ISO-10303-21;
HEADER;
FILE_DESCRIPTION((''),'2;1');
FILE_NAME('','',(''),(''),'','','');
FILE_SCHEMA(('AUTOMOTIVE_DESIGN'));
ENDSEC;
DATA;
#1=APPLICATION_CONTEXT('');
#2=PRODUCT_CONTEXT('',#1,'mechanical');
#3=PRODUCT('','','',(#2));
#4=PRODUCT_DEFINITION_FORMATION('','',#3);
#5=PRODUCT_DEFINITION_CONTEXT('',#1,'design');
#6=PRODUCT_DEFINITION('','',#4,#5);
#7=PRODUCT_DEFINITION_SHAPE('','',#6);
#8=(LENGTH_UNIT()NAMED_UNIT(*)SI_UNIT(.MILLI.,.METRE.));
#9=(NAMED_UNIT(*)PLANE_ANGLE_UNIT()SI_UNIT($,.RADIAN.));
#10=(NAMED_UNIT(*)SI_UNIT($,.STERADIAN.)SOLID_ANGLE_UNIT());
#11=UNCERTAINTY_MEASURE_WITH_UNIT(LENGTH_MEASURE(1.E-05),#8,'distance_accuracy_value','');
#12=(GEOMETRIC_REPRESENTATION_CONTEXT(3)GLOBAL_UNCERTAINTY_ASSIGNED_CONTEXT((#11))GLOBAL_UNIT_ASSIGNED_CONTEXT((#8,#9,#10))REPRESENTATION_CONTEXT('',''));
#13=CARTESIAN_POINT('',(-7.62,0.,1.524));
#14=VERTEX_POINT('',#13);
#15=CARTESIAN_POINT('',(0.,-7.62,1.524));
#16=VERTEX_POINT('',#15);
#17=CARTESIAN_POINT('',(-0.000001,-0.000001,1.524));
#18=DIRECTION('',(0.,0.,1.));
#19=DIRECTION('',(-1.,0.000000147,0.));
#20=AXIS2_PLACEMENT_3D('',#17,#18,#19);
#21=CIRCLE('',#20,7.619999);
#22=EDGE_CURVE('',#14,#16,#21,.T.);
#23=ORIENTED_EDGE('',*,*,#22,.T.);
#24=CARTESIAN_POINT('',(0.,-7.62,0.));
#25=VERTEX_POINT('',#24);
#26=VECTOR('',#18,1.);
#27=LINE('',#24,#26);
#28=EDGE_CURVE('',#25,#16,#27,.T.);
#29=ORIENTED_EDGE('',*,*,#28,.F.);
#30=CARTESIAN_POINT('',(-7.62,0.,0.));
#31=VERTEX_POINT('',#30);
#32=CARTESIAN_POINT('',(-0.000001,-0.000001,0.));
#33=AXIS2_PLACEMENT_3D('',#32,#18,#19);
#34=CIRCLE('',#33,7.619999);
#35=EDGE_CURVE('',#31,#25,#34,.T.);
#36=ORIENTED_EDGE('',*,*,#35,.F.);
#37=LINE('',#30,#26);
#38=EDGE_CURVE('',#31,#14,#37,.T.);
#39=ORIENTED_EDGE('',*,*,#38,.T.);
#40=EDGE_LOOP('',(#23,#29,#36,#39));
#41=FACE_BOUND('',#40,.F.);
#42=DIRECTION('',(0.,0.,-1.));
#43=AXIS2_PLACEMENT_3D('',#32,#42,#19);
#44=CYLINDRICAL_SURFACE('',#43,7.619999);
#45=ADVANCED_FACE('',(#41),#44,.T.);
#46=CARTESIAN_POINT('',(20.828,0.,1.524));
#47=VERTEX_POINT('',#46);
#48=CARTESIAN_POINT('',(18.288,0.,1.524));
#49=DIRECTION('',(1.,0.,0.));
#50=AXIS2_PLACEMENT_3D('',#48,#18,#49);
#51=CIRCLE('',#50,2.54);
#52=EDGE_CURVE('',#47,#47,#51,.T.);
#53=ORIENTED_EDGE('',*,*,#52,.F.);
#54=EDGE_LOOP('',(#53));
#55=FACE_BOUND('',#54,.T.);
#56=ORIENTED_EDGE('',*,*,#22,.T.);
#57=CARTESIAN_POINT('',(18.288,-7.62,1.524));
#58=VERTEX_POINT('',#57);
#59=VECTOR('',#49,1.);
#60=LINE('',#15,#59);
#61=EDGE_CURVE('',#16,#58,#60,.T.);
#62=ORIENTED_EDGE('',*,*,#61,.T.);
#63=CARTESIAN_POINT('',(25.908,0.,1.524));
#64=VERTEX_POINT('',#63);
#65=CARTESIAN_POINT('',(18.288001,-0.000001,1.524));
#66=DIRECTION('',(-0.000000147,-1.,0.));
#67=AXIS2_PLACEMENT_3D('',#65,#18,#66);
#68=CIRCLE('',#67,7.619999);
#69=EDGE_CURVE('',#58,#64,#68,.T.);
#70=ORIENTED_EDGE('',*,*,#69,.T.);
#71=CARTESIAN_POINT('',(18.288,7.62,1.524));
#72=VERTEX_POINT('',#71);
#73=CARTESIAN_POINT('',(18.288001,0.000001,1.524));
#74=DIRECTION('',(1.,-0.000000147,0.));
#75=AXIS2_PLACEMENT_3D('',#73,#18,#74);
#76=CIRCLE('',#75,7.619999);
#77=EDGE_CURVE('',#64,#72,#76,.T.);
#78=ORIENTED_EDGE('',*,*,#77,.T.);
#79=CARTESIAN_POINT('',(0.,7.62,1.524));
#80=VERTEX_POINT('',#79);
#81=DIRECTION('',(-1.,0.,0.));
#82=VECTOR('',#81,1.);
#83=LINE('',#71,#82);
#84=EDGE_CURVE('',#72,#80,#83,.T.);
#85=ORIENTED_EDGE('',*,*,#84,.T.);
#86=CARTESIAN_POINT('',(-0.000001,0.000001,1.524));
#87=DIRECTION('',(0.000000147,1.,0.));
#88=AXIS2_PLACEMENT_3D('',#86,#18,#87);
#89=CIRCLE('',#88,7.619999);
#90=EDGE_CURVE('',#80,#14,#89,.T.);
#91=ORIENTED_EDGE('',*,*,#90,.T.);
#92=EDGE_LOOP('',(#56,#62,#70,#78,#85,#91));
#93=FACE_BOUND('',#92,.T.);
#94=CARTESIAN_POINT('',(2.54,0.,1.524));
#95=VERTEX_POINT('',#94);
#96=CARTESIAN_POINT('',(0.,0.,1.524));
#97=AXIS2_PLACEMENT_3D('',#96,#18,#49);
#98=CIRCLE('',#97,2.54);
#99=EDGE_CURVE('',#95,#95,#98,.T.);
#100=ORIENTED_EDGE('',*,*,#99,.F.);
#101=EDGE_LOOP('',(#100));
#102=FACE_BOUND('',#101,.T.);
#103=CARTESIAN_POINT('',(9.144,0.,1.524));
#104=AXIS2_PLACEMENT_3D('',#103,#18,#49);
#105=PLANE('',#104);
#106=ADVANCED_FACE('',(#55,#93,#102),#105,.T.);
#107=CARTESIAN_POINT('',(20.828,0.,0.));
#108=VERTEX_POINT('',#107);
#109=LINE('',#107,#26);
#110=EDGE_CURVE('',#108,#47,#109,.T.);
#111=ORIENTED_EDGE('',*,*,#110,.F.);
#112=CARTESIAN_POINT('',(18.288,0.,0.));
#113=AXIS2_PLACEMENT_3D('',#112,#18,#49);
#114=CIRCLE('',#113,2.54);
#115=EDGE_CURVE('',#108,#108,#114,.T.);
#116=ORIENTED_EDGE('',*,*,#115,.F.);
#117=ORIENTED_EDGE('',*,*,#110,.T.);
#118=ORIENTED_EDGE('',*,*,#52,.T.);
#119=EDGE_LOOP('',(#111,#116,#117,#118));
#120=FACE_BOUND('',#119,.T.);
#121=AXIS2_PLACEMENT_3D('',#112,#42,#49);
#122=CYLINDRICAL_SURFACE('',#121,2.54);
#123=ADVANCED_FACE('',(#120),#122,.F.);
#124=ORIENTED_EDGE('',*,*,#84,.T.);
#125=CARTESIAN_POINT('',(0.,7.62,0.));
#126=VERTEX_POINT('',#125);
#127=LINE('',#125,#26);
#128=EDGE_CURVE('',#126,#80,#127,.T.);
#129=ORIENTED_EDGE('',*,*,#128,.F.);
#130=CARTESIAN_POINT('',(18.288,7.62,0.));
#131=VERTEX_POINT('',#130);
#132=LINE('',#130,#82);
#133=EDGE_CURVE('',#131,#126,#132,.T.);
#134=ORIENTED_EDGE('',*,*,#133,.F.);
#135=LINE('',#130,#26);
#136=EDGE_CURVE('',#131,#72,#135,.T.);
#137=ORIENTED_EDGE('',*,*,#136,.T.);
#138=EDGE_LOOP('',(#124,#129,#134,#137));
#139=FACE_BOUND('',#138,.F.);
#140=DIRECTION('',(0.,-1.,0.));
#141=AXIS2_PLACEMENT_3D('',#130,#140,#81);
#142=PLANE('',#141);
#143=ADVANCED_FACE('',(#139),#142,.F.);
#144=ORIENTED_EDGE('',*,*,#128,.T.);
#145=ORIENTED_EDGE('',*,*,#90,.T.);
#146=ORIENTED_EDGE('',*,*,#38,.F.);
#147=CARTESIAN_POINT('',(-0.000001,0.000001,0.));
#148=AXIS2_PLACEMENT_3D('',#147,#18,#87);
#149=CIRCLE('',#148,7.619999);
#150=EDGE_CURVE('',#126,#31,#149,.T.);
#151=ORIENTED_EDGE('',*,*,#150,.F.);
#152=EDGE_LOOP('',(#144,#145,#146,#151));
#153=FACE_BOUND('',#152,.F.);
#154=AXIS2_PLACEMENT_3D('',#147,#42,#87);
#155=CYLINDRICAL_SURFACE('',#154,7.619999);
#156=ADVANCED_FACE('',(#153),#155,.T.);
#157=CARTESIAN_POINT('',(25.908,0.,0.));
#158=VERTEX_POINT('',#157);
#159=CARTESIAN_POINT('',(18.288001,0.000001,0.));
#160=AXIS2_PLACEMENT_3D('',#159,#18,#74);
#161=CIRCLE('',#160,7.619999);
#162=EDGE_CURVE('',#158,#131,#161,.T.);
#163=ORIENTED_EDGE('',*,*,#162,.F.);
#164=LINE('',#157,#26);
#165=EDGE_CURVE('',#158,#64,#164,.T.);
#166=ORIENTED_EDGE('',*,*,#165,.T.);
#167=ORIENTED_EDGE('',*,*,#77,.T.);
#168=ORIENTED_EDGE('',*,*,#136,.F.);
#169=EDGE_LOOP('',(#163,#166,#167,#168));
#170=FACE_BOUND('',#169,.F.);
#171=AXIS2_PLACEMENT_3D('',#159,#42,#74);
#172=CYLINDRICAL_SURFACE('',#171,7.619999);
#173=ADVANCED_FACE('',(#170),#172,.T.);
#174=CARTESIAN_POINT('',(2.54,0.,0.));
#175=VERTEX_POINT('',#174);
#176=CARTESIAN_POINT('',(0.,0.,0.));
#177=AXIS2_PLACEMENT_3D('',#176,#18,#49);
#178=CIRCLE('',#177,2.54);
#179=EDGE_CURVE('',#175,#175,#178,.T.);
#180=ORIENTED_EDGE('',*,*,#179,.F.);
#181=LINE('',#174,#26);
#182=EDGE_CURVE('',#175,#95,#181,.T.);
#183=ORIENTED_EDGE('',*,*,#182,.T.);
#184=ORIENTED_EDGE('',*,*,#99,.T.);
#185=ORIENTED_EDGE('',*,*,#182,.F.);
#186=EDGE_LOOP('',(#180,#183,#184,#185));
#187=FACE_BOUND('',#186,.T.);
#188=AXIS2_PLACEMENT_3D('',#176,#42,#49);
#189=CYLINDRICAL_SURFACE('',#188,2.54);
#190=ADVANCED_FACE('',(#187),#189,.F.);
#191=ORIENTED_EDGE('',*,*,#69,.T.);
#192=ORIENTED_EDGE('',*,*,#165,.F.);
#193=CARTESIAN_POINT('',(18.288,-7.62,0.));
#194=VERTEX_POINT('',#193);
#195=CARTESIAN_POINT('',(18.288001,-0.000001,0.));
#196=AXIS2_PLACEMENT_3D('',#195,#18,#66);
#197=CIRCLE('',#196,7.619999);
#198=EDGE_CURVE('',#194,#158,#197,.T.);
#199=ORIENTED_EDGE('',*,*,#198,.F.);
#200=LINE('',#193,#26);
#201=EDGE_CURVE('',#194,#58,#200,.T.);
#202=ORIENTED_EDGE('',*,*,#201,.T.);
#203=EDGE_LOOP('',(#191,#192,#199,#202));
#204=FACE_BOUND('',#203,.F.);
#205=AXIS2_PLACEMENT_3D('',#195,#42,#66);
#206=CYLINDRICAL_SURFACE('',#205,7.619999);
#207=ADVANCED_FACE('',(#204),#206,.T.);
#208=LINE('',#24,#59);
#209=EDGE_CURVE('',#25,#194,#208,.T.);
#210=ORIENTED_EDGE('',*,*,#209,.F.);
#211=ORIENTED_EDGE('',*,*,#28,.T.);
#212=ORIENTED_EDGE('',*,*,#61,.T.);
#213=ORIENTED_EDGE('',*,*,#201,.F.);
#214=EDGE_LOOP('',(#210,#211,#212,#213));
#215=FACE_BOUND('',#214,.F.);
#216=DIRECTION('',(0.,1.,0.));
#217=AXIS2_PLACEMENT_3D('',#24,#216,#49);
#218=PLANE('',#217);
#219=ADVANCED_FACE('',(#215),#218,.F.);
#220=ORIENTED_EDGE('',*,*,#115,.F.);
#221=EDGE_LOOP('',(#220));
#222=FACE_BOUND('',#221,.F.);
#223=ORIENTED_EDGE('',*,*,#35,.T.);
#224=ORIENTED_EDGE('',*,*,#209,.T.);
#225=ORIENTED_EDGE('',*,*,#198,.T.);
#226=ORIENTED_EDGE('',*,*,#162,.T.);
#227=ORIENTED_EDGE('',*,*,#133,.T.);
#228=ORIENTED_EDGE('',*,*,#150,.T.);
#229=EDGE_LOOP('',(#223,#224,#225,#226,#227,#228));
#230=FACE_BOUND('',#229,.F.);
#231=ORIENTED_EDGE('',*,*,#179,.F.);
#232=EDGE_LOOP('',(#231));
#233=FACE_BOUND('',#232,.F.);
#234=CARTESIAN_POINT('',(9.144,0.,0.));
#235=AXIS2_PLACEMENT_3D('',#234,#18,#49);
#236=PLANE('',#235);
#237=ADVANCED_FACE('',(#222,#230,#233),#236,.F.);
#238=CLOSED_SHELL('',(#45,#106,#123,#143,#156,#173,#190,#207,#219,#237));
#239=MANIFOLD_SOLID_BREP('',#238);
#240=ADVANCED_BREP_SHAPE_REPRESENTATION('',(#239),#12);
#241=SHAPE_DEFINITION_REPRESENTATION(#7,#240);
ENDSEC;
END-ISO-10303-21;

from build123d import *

# Parameters (mm, degrees)
F0_R     = 2.54
F1_DEPTH = 1.524


with BuildPart() as f1:
    # F0 (on Top) → F1 (new body)
    with BuildSketch(Plane.XY):
        with BuildLine():
            Line((18.288, 7.62), (0, 7.62))
            ThreePointArc((0, 7.62), (-5.388154, 5.388154), (-7.62, 0))
            ThreePointArc((-7.62, 0), (-5.388154, -5.388154), (0, -7.62))
            Line((0, -7.62), (18.288, -7.62))
            ThreePointArc((18.288, -7.62), (23.676154, -5.388154), (25.908, 0))
            ThreePointArc((25.908, 0), (23.676154, 5.388154), (18.288, 7.62))
        make_face()
        Circle(F0_R, mode=Mode.SUBTRACT)
        with Locations((18.288, 0)):
            Circle(F0_R, mode=Mode.SUBTRACT)
    extrude(amount=F1_DEPTH)


solid = f1.part
